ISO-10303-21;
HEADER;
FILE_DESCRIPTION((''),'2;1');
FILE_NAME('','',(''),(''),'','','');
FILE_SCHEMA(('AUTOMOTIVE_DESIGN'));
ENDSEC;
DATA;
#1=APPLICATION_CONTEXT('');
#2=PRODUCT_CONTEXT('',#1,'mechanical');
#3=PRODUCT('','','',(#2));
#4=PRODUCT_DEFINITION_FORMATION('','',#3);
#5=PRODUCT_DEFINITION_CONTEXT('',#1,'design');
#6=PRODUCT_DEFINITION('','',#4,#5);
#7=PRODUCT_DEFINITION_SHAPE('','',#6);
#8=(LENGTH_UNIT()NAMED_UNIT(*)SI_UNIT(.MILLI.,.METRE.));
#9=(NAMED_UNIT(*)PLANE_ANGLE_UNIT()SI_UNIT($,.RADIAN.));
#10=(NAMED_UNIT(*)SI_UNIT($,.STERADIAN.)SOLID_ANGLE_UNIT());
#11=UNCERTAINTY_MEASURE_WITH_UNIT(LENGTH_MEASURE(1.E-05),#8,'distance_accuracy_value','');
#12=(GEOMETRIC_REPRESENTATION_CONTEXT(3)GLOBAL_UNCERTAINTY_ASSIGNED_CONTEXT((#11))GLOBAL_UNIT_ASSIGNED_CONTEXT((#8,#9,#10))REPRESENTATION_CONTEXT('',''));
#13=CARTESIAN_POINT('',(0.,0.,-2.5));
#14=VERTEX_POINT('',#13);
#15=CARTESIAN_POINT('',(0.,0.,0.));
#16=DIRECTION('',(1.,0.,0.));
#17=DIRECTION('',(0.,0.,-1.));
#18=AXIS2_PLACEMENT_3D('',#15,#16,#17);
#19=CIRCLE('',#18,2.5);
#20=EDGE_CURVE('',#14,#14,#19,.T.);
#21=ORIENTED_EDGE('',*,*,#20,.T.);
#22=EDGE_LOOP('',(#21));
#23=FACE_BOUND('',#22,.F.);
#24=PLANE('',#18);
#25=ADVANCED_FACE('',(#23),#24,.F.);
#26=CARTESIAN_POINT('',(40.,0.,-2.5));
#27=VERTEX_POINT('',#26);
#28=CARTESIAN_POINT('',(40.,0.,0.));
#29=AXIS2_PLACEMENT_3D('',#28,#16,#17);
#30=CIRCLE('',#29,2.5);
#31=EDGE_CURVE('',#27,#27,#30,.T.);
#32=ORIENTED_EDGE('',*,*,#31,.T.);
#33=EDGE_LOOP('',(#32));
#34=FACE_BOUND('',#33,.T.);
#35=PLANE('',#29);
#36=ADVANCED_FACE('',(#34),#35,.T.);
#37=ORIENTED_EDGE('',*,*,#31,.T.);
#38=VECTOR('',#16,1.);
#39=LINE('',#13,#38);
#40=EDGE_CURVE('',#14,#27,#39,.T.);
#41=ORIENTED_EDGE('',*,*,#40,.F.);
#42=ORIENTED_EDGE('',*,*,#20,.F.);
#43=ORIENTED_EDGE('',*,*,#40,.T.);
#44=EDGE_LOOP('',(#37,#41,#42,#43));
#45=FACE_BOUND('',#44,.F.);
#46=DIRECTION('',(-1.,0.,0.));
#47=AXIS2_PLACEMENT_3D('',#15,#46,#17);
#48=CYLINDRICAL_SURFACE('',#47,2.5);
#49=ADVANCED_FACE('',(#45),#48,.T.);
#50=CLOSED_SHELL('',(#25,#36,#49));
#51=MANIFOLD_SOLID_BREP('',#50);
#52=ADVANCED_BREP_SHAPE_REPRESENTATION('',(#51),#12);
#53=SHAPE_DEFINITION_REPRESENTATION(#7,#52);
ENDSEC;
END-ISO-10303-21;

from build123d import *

# Parameters (mm, degrees)
ESQUISSE1_R        = 2.5
BOSS_EXTRU_1_DEPTH = 40


with BuildPart() as part:
    # Esquisse1 → Boss.-Extru.1 (new body)
    with BuildSketch(Plane(origin=(0, 0, 0), x_dir=(0, 0, -1), z_dir=(1, 0, 0))):
        Circle(ESQUISSE1_R)
    extrude(amount=BOSS_EXTRU_1_DEPTH)


solid = part.part
